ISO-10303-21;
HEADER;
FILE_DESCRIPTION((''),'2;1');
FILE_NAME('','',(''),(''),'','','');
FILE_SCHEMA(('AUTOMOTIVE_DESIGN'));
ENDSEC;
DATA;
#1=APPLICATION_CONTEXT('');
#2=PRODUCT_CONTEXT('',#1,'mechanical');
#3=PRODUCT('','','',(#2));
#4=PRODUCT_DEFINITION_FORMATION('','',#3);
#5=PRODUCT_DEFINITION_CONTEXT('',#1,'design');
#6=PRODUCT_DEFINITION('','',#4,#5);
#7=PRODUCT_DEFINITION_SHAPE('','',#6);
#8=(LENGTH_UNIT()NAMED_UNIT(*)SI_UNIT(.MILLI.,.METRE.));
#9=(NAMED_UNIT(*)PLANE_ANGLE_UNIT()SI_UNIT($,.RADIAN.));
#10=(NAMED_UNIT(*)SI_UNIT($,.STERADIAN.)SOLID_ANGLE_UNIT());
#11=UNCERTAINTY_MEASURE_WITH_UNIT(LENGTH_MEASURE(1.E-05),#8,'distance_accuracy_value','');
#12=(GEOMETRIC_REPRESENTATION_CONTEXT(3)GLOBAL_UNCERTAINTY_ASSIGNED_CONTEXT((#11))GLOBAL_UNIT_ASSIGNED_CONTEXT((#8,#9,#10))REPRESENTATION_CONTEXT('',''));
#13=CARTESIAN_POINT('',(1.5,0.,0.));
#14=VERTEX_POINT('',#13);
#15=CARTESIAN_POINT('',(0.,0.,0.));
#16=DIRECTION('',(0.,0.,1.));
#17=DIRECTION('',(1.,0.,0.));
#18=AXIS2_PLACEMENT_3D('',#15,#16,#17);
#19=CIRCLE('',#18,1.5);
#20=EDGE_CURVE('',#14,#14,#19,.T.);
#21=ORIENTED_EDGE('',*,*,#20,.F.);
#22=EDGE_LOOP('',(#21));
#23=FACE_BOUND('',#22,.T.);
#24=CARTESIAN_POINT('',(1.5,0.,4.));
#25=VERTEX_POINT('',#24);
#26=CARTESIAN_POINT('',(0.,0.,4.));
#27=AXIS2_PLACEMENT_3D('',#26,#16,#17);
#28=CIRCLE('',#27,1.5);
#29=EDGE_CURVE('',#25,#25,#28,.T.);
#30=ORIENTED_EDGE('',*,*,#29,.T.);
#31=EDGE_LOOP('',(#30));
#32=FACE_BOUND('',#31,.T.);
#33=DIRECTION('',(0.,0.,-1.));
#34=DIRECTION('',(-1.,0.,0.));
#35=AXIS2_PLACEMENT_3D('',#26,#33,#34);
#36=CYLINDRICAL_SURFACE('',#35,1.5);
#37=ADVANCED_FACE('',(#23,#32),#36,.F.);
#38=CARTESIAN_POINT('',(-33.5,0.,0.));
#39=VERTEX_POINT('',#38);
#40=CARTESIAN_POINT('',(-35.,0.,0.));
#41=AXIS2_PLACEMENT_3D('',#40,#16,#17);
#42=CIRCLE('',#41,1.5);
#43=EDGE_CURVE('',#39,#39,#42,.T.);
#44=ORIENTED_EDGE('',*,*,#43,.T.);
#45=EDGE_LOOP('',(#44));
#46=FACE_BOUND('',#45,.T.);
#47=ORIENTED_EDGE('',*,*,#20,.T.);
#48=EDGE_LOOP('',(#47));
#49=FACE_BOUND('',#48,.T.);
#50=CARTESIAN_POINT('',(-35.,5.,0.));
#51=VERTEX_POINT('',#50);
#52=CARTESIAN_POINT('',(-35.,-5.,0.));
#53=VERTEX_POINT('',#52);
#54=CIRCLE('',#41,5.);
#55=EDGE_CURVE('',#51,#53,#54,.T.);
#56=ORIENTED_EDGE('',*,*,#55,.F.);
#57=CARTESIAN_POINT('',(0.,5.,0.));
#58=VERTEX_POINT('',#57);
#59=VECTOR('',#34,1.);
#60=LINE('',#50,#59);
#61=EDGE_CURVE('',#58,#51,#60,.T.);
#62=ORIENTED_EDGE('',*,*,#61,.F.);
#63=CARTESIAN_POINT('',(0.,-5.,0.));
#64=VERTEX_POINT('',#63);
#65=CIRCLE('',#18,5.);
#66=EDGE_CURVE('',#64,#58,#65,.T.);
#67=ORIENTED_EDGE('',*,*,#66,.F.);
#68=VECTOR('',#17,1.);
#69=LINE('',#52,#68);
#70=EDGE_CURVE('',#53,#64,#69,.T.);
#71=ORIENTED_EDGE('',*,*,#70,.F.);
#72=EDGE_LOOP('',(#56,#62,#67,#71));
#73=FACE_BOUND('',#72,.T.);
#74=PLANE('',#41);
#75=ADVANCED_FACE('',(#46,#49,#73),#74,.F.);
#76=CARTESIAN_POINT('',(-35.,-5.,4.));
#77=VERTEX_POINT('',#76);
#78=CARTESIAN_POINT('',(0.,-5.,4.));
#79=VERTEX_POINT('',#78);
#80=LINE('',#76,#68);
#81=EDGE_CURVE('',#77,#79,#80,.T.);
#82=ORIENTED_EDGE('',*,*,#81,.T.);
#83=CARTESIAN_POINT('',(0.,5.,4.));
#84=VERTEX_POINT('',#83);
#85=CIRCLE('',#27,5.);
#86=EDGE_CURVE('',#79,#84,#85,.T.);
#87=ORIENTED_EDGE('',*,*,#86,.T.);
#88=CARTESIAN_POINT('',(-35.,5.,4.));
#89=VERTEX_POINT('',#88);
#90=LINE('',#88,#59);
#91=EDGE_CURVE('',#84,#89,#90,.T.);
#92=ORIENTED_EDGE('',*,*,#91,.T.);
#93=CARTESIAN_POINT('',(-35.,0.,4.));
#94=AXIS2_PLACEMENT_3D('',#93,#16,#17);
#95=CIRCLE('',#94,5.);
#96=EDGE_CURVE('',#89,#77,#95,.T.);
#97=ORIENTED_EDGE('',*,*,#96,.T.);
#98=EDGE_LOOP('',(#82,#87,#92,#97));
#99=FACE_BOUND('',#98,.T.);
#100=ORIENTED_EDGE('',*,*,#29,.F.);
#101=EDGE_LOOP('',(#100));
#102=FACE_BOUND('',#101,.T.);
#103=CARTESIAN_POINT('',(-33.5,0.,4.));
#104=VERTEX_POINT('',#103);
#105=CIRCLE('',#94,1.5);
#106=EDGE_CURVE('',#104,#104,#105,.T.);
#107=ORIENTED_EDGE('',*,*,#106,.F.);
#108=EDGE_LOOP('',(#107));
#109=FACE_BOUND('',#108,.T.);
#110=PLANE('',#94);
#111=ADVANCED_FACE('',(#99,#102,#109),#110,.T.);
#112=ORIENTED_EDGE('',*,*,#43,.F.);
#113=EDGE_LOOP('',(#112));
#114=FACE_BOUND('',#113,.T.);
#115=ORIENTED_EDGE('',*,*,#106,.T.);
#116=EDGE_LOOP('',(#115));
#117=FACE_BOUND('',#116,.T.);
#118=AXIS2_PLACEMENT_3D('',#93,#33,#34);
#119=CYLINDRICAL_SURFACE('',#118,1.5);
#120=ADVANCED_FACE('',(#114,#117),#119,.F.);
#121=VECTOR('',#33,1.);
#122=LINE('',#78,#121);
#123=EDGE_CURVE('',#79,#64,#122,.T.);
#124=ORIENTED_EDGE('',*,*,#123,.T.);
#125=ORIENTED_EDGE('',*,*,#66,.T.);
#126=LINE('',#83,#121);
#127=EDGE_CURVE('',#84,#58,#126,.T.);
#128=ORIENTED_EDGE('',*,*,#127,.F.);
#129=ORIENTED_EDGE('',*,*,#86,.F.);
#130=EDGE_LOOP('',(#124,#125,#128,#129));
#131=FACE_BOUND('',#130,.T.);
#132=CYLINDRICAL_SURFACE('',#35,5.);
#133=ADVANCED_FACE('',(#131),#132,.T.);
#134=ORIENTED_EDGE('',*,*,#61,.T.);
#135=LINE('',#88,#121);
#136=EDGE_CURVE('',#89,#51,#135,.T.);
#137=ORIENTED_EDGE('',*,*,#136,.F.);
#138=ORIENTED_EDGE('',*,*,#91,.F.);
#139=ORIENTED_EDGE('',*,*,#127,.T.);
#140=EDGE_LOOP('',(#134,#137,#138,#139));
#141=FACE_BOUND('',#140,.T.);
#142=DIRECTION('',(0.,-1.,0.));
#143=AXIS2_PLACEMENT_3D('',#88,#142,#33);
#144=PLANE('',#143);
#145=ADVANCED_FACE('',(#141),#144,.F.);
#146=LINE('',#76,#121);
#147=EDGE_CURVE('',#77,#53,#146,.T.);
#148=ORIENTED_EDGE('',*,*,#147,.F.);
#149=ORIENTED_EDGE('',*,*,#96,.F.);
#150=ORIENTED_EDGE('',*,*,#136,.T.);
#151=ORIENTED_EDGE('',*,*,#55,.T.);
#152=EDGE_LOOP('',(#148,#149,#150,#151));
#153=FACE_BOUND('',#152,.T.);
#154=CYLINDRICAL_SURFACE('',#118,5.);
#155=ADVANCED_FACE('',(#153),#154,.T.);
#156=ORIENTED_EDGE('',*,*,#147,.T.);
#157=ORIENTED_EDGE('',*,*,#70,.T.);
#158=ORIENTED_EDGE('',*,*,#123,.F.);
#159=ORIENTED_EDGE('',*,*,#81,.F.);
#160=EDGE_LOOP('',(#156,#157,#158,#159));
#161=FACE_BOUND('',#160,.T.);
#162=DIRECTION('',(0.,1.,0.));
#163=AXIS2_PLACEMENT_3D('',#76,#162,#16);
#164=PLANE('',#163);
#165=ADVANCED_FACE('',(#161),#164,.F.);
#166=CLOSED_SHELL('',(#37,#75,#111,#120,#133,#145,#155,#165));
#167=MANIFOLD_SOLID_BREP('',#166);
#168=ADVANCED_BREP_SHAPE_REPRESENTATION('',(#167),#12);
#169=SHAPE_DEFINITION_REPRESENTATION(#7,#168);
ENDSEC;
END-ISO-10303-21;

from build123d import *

# Parameters (mm, degrees)
SKETCH1_R           = 1.5
BOSS_EXTRUDE1_DEPTH = 4


with BuildPart() as part:
    # Sketch1 → Boss-Extrude1 (new body)
    with BuildSketch(Plane.XY):
        with BuildLine():
            Line((-35, 5), (0, 5))
            ThreePointArc((0, 5), (5, 0), (0, -5))
            Line((0, -5), (-35, -5))
            ThreePointArc((-35, -5), (-40, 0), (-35, 5))
        make_face()
        with Locations((-35, 0)):
            Circle(SKETCH1_R, mode=Mode.SUBTRACT)
        Circle(SKETCH1_R, mode=Mode.SUBTRACT)
    extrude(amount=BOSS_EXTRUDE1_DEPTH)


solid = part.part
